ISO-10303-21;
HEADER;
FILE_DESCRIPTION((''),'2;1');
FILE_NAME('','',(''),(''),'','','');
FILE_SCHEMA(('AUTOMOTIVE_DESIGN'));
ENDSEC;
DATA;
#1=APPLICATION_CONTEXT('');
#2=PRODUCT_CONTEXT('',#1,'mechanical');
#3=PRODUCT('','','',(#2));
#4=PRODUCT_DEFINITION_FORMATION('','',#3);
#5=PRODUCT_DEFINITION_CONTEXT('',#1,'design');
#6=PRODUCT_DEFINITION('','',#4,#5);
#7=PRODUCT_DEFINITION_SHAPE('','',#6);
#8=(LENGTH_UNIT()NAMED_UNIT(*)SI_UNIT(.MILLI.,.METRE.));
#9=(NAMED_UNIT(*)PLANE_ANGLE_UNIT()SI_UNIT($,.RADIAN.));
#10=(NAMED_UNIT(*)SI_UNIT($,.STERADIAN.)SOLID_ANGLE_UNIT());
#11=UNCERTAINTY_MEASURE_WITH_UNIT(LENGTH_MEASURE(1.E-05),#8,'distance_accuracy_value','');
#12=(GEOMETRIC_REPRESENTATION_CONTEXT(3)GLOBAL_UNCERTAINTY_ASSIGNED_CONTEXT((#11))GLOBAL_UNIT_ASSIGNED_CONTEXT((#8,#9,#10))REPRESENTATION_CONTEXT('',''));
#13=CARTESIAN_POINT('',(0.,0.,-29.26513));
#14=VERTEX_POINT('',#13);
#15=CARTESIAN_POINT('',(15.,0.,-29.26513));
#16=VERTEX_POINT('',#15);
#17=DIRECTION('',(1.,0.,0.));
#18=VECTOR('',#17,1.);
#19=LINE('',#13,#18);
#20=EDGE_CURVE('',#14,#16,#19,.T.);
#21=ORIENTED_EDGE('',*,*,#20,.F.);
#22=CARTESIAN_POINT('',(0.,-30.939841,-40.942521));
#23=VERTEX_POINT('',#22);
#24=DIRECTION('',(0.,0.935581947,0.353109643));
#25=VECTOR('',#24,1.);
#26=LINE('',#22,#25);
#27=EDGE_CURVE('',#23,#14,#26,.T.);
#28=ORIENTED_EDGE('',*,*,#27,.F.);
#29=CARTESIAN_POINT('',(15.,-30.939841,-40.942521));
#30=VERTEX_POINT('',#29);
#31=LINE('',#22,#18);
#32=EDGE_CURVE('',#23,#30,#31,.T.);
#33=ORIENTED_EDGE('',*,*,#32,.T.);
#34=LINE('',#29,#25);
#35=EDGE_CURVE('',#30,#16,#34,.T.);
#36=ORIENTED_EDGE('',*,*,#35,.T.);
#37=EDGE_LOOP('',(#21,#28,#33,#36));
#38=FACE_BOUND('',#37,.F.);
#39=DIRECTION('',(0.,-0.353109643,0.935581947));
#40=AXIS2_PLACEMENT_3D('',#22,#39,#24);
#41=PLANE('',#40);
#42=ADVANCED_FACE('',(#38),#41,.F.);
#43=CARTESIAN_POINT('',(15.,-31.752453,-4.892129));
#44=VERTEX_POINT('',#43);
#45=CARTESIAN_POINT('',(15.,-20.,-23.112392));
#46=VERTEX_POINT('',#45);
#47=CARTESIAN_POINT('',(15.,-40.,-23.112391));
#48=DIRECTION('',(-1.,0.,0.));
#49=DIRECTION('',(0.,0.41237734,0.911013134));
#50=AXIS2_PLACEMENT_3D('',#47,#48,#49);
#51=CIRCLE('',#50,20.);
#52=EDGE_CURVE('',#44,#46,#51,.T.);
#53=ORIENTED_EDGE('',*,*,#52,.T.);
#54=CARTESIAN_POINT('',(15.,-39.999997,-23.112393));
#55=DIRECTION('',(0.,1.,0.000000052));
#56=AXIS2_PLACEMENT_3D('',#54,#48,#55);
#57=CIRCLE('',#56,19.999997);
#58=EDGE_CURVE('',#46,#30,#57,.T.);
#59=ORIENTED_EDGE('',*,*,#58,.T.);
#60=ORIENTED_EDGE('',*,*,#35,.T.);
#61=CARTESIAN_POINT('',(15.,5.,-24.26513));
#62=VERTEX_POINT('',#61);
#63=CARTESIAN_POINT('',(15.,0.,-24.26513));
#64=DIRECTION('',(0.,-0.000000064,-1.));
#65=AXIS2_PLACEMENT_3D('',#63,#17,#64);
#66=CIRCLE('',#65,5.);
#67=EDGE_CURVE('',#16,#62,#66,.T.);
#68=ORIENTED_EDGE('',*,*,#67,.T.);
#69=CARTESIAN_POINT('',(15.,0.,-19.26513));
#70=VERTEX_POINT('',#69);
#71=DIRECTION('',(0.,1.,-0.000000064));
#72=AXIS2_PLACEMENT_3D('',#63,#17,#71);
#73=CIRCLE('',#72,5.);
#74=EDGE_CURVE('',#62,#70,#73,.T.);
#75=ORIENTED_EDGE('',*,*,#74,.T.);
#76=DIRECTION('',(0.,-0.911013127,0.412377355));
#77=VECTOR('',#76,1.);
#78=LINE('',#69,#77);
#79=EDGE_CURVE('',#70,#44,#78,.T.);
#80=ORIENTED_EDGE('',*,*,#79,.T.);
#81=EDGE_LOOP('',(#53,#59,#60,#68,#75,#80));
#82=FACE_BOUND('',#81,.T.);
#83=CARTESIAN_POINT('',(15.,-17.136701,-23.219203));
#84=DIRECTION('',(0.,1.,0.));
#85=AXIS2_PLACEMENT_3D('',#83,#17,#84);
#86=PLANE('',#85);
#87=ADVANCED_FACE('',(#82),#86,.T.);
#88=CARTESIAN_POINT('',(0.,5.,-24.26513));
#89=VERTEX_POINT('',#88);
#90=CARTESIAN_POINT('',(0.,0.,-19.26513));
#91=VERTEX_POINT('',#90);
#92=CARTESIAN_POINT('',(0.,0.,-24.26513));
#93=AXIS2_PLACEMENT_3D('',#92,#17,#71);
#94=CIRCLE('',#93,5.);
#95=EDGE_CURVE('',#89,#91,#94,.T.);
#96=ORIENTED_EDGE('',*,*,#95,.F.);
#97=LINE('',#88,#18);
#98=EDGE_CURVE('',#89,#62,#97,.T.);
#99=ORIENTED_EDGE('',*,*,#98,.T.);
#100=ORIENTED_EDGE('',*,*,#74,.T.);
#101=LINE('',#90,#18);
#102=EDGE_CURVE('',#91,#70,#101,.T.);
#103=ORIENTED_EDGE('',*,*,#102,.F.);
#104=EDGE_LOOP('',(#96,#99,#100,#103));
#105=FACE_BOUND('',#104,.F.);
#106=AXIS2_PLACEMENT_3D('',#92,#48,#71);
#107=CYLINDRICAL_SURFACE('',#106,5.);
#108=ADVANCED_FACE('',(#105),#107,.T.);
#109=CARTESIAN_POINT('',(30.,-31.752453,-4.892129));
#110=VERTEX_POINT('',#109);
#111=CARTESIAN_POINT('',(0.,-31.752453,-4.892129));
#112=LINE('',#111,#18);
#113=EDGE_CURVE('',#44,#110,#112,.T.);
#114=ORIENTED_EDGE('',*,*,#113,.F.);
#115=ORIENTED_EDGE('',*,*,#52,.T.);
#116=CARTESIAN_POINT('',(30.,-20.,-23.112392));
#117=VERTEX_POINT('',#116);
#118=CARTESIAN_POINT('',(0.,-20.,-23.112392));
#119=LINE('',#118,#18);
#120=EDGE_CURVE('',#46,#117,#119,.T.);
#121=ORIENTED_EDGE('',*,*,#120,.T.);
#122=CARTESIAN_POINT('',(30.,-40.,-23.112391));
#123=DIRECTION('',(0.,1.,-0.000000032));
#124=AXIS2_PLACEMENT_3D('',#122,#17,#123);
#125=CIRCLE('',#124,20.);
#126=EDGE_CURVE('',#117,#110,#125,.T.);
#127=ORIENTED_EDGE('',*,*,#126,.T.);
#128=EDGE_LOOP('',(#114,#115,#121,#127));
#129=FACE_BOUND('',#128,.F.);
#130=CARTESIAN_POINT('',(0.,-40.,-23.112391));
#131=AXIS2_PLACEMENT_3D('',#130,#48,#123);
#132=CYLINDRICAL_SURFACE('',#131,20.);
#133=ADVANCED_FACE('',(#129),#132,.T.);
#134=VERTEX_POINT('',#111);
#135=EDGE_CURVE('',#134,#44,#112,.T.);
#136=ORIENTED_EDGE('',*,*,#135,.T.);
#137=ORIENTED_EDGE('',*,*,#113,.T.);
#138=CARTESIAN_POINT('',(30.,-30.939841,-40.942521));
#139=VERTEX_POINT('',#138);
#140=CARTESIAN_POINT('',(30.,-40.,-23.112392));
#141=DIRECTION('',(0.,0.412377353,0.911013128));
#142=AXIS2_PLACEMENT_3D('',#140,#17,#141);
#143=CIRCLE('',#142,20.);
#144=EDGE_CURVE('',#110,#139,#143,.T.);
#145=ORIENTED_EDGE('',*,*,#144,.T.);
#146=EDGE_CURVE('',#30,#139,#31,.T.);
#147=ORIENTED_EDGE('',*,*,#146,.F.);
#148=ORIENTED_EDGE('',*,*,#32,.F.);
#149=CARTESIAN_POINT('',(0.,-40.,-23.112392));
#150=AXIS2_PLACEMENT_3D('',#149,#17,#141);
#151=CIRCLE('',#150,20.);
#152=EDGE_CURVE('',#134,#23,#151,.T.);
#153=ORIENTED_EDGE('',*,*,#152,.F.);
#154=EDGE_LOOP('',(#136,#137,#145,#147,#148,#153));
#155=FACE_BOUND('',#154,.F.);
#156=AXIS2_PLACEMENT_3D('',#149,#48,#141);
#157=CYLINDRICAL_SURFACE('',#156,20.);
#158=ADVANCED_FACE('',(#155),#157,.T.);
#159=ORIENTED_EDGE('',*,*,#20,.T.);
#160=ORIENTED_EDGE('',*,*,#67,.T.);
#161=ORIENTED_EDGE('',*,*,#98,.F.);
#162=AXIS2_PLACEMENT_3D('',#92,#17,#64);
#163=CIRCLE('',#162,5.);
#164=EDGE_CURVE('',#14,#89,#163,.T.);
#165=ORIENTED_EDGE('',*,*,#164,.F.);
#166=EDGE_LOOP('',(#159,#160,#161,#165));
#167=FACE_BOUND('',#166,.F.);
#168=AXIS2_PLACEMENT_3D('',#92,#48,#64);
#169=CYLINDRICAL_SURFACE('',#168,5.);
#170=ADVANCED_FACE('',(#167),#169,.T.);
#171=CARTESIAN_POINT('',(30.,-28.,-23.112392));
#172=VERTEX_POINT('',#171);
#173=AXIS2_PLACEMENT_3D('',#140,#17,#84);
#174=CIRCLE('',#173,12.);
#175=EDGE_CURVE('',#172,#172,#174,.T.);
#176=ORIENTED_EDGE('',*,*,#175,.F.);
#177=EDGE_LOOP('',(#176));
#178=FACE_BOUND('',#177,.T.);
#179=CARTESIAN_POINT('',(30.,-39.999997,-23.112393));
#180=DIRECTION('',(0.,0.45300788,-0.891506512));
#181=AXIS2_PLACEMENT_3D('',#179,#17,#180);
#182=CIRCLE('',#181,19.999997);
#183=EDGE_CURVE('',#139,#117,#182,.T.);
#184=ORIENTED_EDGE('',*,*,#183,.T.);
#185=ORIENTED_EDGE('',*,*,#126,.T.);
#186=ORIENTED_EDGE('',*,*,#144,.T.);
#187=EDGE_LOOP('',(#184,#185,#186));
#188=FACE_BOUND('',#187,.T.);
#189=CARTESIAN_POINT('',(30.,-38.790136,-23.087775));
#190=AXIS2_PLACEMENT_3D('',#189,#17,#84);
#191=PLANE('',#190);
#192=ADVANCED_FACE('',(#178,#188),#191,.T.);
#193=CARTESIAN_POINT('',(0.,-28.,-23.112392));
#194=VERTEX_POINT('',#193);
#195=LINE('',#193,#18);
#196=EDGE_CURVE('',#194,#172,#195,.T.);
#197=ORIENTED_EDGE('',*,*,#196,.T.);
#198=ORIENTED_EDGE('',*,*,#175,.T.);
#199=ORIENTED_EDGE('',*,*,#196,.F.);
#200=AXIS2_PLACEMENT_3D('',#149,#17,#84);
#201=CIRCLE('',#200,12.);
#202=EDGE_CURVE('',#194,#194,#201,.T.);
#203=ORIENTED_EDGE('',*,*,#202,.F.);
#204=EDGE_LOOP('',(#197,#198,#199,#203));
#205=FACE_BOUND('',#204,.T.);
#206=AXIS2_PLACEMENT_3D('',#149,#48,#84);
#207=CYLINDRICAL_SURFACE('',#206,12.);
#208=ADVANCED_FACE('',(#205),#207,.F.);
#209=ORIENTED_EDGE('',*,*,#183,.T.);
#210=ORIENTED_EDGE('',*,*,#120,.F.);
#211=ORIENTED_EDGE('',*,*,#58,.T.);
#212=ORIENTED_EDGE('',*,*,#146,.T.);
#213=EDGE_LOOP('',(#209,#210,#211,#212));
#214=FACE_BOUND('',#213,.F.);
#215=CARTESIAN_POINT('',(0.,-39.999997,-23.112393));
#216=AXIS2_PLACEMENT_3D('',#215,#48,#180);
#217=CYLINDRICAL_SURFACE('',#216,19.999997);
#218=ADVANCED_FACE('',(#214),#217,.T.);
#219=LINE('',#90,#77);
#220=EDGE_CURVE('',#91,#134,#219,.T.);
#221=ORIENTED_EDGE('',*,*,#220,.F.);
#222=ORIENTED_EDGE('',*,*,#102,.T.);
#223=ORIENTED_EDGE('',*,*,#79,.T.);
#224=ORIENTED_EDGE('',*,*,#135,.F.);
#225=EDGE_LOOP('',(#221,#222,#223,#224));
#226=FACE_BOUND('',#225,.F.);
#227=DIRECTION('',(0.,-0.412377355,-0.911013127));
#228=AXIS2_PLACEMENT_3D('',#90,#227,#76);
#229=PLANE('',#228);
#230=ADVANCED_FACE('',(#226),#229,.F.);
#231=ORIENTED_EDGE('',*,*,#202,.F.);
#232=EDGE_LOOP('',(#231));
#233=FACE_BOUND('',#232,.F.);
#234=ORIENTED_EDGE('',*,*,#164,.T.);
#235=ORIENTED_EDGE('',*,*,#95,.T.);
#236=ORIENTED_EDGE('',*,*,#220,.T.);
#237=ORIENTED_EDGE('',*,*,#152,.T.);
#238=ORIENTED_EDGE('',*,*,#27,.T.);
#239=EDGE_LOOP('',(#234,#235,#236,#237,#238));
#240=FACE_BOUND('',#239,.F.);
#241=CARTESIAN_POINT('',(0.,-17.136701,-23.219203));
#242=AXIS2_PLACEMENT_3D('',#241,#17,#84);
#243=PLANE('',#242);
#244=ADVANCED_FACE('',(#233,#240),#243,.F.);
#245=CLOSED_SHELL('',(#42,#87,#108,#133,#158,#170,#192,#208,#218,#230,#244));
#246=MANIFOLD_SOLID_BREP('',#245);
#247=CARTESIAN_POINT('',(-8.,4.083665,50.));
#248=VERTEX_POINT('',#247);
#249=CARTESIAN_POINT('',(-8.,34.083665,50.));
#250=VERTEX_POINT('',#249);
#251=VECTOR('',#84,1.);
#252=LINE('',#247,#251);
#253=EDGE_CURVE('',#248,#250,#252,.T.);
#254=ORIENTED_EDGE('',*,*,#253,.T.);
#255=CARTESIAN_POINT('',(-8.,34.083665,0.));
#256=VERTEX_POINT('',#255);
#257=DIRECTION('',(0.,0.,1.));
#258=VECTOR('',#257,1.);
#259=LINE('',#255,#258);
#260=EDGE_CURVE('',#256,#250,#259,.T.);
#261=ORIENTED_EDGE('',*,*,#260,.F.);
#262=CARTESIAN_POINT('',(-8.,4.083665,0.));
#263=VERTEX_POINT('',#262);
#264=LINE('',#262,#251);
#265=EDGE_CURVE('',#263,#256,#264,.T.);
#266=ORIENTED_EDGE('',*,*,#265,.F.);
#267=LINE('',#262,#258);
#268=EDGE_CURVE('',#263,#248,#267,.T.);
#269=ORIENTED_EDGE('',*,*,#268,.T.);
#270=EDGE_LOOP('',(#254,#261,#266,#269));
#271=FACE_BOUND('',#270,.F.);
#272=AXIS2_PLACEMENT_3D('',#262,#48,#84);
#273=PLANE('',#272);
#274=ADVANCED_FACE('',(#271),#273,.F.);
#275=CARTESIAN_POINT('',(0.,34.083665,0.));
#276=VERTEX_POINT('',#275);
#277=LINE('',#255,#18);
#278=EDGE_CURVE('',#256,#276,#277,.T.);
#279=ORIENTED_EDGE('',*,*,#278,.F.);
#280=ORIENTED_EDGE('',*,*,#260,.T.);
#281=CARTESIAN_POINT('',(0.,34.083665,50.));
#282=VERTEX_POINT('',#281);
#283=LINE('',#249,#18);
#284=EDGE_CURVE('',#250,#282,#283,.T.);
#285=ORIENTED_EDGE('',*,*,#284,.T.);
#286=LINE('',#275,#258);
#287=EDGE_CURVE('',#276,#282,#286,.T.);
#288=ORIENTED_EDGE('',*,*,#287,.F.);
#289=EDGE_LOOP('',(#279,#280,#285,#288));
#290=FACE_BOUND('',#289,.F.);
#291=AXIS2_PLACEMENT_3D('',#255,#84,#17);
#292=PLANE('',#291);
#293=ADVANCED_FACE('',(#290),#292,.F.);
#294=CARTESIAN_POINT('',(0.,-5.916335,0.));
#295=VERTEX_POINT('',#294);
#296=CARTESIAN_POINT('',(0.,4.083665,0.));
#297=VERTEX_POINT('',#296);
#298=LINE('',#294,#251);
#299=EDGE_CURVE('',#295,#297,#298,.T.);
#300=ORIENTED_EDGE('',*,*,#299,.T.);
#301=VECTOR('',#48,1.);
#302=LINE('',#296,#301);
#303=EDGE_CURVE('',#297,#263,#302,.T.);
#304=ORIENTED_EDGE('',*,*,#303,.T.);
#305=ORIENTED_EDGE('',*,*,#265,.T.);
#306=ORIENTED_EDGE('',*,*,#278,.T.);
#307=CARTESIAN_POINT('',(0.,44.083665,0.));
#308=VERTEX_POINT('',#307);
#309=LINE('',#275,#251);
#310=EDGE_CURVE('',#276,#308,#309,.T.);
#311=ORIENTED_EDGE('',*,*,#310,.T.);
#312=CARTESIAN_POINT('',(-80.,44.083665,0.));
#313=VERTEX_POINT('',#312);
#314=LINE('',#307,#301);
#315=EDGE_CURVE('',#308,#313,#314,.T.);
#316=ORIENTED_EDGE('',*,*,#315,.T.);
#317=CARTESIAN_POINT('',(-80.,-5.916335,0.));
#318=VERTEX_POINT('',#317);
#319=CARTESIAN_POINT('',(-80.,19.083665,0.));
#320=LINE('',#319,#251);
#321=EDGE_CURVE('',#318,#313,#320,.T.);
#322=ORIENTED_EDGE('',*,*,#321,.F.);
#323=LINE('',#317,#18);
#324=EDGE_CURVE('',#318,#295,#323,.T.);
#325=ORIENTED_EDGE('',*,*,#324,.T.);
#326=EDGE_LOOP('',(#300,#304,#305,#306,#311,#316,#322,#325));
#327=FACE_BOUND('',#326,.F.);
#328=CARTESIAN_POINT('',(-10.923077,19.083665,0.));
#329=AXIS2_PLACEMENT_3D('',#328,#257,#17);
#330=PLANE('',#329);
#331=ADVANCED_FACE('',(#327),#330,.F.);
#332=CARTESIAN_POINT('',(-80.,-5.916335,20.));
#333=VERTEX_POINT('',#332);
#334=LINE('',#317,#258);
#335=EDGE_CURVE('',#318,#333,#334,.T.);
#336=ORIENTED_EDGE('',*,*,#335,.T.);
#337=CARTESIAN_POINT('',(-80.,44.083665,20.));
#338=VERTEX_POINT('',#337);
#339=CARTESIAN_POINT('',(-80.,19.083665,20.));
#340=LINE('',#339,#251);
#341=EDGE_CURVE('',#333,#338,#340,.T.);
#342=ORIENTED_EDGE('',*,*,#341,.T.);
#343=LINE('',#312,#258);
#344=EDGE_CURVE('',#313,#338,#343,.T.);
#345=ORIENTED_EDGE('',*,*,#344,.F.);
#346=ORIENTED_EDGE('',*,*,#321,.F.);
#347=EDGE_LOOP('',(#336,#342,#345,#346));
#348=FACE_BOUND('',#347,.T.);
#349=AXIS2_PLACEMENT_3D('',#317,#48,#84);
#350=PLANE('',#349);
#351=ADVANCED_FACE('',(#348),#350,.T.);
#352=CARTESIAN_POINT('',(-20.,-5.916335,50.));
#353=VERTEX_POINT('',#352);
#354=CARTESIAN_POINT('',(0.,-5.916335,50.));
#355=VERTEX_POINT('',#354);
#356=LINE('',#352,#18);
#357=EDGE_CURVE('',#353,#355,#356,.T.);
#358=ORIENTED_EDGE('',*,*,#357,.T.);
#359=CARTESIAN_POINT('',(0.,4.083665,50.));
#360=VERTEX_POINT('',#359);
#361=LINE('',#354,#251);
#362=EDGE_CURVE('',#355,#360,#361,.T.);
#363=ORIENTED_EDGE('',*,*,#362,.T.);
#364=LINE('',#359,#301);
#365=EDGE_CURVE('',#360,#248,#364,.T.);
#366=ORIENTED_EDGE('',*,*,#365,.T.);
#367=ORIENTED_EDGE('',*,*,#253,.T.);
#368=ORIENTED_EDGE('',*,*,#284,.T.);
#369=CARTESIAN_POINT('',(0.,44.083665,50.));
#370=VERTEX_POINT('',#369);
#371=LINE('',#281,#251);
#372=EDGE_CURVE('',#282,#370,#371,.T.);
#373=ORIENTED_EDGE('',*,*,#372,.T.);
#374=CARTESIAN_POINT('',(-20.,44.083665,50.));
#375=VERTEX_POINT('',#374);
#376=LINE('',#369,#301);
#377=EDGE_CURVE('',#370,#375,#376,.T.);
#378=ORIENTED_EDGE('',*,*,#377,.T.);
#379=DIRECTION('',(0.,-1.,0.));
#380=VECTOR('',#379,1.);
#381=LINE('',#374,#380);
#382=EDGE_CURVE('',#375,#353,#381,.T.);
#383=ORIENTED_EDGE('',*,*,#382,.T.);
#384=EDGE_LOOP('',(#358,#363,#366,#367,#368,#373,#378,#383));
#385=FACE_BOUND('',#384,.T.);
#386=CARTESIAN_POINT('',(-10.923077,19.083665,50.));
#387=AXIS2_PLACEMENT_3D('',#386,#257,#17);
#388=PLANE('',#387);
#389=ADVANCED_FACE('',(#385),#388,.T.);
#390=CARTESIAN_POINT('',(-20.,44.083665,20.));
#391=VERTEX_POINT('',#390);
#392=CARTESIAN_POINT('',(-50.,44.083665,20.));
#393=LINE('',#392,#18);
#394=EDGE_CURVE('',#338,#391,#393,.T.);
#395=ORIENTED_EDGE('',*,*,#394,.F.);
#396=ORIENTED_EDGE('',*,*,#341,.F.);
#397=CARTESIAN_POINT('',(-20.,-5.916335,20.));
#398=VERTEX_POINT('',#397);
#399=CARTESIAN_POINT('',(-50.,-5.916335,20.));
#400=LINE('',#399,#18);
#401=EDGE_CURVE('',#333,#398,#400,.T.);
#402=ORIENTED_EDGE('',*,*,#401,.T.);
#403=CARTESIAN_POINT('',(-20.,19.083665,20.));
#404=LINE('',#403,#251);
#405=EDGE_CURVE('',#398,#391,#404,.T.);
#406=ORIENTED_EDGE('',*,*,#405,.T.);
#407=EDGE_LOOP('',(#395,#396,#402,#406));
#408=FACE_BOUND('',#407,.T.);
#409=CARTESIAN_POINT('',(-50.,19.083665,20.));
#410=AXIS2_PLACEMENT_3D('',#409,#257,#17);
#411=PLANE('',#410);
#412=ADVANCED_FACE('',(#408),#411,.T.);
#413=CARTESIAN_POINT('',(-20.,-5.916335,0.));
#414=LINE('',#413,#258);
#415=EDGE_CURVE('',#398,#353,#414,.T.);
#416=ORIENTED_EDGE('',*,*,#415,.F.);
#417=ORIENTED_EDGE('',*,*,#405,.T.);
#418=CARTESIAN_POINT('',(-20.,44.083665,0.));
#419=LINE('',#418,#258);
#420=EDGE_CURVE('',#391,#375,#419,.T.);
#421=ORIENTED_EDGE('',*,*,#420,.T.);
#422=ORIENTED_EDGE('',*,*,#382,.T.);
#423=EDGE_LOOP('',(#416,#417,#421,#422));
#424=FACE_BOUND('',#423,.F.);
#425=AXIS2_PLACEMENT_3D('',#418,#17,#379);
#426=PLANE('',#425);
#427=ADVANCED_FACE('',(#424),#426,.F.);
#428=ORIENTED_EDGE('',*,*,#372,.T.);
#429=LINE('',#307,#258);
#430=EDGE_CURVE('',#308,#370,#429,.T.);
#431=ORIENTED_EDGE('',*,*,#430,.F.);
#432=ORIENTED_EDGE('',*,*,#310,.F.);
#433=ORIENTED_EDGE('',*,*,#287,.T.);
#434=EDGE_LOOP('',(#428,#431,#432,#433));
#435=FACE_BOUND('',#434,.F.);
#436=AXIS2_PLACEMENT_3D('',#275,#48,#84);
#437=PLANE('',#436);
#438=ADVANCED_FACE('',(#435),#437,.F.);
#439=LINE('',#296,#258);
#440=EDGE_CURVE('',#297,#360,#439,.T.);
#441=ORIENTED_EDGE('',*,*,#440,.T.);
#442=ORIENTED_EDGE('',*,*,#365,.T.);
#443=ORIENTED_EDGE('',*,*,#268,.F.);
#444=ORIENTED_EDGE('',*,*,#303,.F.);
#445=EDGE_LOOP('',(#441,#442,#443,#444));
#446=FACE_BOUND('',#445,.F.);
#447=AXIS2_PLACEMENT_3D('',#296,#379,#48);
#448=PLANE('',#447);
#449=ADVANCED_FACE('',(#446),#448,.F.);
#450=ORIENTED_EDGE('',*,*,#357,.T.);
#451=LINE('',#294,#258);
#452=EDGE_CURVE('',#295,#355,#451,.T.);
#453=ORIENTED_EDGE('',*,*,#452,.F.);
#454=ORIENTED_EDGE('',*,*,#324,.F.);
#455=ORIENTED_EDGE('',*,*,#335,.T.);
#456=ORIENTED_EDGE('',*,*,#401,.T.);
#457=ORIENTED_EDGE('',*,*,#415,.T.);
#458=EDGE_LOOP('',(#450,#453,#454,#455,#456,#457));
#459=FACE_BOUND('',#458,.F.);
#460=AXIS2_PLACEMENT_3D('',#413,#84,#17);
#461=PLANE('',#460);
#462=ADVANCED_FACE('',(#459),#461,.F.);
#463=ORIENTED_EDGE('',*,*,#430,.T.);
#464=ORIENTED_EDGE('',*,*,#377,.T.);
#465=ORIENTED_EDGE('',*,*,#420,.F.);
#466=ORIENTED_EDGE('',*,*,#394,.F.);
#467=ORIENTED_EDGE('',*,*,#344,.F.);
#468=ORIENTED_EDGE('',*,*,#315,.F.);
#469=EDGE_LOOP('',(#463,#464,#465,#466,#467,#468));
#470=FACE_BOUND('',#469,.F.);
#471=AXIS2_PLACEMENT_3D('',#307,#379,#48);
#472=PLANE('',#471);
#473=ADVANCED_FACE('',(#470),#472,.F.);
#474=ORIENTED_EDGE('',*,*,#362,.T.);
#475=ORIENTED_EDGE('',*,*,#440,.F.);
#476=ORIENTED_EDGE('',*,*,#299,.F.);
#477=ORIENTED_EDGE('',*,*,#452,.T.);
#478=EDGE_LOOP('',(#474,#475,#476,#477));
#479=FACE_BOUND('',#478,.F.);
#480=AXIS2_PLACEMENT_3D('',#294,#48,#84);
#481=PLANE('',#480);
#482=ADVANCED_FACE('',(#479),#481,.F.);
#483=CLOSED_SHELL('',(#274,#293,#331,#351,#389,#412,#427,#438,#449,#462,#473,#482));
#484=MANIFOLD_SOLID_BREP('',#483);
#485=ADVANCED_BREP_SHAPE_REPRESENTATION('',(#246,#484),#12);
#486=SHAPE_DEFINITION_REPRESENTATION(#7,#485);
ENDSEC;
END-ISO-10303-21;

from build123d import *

# Parameters (mm, degrees)
F0_W     = 60
F0_H     = 50
F1_DEPTH = 20
F2_DEPTH = 50
F3_R     = 12
F4_DEPTH = 30
F5_DEPTH = 15


with BuildPart() as f1:
    # F0 (on Top) → F1 (new body)
    with BuildSketch(Plane.XY):
        with Locations((-50, 19.083665)):
            Rectangle(F0_W, F0_H)
    extrude(amount=F1_DEPTH)

    # F0 (on Top) → F2 (join)
    with BuildSketch(Plane.XY):
        Polygon((-12.151394, 44.083665), (-20, 44.083665), (-20, -5.916335), (0, -5.916335), (0, 4.083665), (-8, 4.083665), (-8, 34.083665), (0, 34.083665), (0, 44.083665), align=None)
    extrude(amount=F2_DEPTH)


with BuildPart() as f4:
    # F3 (on Right) → F4 (new body)
    with BuildSketch(Plane.YZ):
        with BuildLine():
            ThreePointArc((-30.939841, -40.942521), (-22.952959, -33.571761), (-20, -23.112392))
            ThreePointArc((-20, -23.112392), (-23.192993, -12.271519), (-31.752453, -4.892129))
            ThreePointArc((-31.752453, -4.892129), (-59.994921, -23.563097), (-30.939841, -40.942521))
        make_face()
        with Locations((-40, -23.112392)):
            Circle(F3_R, mode=Mode.SUBTRACT)
    extrude(amount=F4_DEPTH)

    # F3 (on Right) → F5 (join)
    with BuildSketch(Plane.YZ):
        with BuildLine():
            ThreePointArc((-31.752453, -4.892129), (-23.192993, -12.271519), (-20, -23.112392))
            ThreePointArc((-20, -23.112392), (-22.952959, -33.571761), (-30.939841, -40.942521))
            Line((-30.939841, -40.942521), (0, -29.26513))
            ThreePointArc((0, -29.26513), (-5, -24.26513), (0, -19.26513))
            Line((0, -19.26513), (-31.752453, -4.892129))
        make_face()
        with BuildLine():
            ThreePointArc((5, -24.26513), (3.535534, -20.729596), (0, -19.26513))
            ThreePointArc((0, -19.26513), (-5, -24.26513), (0, -29.26513))
            ThreePointArc((0, -29.26513), (3.535534, -27.800664), (5, -24.26513))
        make_face()
    extrude(amount=F5_DEPTH)


solid = Compound([f1.part, f4.part])
